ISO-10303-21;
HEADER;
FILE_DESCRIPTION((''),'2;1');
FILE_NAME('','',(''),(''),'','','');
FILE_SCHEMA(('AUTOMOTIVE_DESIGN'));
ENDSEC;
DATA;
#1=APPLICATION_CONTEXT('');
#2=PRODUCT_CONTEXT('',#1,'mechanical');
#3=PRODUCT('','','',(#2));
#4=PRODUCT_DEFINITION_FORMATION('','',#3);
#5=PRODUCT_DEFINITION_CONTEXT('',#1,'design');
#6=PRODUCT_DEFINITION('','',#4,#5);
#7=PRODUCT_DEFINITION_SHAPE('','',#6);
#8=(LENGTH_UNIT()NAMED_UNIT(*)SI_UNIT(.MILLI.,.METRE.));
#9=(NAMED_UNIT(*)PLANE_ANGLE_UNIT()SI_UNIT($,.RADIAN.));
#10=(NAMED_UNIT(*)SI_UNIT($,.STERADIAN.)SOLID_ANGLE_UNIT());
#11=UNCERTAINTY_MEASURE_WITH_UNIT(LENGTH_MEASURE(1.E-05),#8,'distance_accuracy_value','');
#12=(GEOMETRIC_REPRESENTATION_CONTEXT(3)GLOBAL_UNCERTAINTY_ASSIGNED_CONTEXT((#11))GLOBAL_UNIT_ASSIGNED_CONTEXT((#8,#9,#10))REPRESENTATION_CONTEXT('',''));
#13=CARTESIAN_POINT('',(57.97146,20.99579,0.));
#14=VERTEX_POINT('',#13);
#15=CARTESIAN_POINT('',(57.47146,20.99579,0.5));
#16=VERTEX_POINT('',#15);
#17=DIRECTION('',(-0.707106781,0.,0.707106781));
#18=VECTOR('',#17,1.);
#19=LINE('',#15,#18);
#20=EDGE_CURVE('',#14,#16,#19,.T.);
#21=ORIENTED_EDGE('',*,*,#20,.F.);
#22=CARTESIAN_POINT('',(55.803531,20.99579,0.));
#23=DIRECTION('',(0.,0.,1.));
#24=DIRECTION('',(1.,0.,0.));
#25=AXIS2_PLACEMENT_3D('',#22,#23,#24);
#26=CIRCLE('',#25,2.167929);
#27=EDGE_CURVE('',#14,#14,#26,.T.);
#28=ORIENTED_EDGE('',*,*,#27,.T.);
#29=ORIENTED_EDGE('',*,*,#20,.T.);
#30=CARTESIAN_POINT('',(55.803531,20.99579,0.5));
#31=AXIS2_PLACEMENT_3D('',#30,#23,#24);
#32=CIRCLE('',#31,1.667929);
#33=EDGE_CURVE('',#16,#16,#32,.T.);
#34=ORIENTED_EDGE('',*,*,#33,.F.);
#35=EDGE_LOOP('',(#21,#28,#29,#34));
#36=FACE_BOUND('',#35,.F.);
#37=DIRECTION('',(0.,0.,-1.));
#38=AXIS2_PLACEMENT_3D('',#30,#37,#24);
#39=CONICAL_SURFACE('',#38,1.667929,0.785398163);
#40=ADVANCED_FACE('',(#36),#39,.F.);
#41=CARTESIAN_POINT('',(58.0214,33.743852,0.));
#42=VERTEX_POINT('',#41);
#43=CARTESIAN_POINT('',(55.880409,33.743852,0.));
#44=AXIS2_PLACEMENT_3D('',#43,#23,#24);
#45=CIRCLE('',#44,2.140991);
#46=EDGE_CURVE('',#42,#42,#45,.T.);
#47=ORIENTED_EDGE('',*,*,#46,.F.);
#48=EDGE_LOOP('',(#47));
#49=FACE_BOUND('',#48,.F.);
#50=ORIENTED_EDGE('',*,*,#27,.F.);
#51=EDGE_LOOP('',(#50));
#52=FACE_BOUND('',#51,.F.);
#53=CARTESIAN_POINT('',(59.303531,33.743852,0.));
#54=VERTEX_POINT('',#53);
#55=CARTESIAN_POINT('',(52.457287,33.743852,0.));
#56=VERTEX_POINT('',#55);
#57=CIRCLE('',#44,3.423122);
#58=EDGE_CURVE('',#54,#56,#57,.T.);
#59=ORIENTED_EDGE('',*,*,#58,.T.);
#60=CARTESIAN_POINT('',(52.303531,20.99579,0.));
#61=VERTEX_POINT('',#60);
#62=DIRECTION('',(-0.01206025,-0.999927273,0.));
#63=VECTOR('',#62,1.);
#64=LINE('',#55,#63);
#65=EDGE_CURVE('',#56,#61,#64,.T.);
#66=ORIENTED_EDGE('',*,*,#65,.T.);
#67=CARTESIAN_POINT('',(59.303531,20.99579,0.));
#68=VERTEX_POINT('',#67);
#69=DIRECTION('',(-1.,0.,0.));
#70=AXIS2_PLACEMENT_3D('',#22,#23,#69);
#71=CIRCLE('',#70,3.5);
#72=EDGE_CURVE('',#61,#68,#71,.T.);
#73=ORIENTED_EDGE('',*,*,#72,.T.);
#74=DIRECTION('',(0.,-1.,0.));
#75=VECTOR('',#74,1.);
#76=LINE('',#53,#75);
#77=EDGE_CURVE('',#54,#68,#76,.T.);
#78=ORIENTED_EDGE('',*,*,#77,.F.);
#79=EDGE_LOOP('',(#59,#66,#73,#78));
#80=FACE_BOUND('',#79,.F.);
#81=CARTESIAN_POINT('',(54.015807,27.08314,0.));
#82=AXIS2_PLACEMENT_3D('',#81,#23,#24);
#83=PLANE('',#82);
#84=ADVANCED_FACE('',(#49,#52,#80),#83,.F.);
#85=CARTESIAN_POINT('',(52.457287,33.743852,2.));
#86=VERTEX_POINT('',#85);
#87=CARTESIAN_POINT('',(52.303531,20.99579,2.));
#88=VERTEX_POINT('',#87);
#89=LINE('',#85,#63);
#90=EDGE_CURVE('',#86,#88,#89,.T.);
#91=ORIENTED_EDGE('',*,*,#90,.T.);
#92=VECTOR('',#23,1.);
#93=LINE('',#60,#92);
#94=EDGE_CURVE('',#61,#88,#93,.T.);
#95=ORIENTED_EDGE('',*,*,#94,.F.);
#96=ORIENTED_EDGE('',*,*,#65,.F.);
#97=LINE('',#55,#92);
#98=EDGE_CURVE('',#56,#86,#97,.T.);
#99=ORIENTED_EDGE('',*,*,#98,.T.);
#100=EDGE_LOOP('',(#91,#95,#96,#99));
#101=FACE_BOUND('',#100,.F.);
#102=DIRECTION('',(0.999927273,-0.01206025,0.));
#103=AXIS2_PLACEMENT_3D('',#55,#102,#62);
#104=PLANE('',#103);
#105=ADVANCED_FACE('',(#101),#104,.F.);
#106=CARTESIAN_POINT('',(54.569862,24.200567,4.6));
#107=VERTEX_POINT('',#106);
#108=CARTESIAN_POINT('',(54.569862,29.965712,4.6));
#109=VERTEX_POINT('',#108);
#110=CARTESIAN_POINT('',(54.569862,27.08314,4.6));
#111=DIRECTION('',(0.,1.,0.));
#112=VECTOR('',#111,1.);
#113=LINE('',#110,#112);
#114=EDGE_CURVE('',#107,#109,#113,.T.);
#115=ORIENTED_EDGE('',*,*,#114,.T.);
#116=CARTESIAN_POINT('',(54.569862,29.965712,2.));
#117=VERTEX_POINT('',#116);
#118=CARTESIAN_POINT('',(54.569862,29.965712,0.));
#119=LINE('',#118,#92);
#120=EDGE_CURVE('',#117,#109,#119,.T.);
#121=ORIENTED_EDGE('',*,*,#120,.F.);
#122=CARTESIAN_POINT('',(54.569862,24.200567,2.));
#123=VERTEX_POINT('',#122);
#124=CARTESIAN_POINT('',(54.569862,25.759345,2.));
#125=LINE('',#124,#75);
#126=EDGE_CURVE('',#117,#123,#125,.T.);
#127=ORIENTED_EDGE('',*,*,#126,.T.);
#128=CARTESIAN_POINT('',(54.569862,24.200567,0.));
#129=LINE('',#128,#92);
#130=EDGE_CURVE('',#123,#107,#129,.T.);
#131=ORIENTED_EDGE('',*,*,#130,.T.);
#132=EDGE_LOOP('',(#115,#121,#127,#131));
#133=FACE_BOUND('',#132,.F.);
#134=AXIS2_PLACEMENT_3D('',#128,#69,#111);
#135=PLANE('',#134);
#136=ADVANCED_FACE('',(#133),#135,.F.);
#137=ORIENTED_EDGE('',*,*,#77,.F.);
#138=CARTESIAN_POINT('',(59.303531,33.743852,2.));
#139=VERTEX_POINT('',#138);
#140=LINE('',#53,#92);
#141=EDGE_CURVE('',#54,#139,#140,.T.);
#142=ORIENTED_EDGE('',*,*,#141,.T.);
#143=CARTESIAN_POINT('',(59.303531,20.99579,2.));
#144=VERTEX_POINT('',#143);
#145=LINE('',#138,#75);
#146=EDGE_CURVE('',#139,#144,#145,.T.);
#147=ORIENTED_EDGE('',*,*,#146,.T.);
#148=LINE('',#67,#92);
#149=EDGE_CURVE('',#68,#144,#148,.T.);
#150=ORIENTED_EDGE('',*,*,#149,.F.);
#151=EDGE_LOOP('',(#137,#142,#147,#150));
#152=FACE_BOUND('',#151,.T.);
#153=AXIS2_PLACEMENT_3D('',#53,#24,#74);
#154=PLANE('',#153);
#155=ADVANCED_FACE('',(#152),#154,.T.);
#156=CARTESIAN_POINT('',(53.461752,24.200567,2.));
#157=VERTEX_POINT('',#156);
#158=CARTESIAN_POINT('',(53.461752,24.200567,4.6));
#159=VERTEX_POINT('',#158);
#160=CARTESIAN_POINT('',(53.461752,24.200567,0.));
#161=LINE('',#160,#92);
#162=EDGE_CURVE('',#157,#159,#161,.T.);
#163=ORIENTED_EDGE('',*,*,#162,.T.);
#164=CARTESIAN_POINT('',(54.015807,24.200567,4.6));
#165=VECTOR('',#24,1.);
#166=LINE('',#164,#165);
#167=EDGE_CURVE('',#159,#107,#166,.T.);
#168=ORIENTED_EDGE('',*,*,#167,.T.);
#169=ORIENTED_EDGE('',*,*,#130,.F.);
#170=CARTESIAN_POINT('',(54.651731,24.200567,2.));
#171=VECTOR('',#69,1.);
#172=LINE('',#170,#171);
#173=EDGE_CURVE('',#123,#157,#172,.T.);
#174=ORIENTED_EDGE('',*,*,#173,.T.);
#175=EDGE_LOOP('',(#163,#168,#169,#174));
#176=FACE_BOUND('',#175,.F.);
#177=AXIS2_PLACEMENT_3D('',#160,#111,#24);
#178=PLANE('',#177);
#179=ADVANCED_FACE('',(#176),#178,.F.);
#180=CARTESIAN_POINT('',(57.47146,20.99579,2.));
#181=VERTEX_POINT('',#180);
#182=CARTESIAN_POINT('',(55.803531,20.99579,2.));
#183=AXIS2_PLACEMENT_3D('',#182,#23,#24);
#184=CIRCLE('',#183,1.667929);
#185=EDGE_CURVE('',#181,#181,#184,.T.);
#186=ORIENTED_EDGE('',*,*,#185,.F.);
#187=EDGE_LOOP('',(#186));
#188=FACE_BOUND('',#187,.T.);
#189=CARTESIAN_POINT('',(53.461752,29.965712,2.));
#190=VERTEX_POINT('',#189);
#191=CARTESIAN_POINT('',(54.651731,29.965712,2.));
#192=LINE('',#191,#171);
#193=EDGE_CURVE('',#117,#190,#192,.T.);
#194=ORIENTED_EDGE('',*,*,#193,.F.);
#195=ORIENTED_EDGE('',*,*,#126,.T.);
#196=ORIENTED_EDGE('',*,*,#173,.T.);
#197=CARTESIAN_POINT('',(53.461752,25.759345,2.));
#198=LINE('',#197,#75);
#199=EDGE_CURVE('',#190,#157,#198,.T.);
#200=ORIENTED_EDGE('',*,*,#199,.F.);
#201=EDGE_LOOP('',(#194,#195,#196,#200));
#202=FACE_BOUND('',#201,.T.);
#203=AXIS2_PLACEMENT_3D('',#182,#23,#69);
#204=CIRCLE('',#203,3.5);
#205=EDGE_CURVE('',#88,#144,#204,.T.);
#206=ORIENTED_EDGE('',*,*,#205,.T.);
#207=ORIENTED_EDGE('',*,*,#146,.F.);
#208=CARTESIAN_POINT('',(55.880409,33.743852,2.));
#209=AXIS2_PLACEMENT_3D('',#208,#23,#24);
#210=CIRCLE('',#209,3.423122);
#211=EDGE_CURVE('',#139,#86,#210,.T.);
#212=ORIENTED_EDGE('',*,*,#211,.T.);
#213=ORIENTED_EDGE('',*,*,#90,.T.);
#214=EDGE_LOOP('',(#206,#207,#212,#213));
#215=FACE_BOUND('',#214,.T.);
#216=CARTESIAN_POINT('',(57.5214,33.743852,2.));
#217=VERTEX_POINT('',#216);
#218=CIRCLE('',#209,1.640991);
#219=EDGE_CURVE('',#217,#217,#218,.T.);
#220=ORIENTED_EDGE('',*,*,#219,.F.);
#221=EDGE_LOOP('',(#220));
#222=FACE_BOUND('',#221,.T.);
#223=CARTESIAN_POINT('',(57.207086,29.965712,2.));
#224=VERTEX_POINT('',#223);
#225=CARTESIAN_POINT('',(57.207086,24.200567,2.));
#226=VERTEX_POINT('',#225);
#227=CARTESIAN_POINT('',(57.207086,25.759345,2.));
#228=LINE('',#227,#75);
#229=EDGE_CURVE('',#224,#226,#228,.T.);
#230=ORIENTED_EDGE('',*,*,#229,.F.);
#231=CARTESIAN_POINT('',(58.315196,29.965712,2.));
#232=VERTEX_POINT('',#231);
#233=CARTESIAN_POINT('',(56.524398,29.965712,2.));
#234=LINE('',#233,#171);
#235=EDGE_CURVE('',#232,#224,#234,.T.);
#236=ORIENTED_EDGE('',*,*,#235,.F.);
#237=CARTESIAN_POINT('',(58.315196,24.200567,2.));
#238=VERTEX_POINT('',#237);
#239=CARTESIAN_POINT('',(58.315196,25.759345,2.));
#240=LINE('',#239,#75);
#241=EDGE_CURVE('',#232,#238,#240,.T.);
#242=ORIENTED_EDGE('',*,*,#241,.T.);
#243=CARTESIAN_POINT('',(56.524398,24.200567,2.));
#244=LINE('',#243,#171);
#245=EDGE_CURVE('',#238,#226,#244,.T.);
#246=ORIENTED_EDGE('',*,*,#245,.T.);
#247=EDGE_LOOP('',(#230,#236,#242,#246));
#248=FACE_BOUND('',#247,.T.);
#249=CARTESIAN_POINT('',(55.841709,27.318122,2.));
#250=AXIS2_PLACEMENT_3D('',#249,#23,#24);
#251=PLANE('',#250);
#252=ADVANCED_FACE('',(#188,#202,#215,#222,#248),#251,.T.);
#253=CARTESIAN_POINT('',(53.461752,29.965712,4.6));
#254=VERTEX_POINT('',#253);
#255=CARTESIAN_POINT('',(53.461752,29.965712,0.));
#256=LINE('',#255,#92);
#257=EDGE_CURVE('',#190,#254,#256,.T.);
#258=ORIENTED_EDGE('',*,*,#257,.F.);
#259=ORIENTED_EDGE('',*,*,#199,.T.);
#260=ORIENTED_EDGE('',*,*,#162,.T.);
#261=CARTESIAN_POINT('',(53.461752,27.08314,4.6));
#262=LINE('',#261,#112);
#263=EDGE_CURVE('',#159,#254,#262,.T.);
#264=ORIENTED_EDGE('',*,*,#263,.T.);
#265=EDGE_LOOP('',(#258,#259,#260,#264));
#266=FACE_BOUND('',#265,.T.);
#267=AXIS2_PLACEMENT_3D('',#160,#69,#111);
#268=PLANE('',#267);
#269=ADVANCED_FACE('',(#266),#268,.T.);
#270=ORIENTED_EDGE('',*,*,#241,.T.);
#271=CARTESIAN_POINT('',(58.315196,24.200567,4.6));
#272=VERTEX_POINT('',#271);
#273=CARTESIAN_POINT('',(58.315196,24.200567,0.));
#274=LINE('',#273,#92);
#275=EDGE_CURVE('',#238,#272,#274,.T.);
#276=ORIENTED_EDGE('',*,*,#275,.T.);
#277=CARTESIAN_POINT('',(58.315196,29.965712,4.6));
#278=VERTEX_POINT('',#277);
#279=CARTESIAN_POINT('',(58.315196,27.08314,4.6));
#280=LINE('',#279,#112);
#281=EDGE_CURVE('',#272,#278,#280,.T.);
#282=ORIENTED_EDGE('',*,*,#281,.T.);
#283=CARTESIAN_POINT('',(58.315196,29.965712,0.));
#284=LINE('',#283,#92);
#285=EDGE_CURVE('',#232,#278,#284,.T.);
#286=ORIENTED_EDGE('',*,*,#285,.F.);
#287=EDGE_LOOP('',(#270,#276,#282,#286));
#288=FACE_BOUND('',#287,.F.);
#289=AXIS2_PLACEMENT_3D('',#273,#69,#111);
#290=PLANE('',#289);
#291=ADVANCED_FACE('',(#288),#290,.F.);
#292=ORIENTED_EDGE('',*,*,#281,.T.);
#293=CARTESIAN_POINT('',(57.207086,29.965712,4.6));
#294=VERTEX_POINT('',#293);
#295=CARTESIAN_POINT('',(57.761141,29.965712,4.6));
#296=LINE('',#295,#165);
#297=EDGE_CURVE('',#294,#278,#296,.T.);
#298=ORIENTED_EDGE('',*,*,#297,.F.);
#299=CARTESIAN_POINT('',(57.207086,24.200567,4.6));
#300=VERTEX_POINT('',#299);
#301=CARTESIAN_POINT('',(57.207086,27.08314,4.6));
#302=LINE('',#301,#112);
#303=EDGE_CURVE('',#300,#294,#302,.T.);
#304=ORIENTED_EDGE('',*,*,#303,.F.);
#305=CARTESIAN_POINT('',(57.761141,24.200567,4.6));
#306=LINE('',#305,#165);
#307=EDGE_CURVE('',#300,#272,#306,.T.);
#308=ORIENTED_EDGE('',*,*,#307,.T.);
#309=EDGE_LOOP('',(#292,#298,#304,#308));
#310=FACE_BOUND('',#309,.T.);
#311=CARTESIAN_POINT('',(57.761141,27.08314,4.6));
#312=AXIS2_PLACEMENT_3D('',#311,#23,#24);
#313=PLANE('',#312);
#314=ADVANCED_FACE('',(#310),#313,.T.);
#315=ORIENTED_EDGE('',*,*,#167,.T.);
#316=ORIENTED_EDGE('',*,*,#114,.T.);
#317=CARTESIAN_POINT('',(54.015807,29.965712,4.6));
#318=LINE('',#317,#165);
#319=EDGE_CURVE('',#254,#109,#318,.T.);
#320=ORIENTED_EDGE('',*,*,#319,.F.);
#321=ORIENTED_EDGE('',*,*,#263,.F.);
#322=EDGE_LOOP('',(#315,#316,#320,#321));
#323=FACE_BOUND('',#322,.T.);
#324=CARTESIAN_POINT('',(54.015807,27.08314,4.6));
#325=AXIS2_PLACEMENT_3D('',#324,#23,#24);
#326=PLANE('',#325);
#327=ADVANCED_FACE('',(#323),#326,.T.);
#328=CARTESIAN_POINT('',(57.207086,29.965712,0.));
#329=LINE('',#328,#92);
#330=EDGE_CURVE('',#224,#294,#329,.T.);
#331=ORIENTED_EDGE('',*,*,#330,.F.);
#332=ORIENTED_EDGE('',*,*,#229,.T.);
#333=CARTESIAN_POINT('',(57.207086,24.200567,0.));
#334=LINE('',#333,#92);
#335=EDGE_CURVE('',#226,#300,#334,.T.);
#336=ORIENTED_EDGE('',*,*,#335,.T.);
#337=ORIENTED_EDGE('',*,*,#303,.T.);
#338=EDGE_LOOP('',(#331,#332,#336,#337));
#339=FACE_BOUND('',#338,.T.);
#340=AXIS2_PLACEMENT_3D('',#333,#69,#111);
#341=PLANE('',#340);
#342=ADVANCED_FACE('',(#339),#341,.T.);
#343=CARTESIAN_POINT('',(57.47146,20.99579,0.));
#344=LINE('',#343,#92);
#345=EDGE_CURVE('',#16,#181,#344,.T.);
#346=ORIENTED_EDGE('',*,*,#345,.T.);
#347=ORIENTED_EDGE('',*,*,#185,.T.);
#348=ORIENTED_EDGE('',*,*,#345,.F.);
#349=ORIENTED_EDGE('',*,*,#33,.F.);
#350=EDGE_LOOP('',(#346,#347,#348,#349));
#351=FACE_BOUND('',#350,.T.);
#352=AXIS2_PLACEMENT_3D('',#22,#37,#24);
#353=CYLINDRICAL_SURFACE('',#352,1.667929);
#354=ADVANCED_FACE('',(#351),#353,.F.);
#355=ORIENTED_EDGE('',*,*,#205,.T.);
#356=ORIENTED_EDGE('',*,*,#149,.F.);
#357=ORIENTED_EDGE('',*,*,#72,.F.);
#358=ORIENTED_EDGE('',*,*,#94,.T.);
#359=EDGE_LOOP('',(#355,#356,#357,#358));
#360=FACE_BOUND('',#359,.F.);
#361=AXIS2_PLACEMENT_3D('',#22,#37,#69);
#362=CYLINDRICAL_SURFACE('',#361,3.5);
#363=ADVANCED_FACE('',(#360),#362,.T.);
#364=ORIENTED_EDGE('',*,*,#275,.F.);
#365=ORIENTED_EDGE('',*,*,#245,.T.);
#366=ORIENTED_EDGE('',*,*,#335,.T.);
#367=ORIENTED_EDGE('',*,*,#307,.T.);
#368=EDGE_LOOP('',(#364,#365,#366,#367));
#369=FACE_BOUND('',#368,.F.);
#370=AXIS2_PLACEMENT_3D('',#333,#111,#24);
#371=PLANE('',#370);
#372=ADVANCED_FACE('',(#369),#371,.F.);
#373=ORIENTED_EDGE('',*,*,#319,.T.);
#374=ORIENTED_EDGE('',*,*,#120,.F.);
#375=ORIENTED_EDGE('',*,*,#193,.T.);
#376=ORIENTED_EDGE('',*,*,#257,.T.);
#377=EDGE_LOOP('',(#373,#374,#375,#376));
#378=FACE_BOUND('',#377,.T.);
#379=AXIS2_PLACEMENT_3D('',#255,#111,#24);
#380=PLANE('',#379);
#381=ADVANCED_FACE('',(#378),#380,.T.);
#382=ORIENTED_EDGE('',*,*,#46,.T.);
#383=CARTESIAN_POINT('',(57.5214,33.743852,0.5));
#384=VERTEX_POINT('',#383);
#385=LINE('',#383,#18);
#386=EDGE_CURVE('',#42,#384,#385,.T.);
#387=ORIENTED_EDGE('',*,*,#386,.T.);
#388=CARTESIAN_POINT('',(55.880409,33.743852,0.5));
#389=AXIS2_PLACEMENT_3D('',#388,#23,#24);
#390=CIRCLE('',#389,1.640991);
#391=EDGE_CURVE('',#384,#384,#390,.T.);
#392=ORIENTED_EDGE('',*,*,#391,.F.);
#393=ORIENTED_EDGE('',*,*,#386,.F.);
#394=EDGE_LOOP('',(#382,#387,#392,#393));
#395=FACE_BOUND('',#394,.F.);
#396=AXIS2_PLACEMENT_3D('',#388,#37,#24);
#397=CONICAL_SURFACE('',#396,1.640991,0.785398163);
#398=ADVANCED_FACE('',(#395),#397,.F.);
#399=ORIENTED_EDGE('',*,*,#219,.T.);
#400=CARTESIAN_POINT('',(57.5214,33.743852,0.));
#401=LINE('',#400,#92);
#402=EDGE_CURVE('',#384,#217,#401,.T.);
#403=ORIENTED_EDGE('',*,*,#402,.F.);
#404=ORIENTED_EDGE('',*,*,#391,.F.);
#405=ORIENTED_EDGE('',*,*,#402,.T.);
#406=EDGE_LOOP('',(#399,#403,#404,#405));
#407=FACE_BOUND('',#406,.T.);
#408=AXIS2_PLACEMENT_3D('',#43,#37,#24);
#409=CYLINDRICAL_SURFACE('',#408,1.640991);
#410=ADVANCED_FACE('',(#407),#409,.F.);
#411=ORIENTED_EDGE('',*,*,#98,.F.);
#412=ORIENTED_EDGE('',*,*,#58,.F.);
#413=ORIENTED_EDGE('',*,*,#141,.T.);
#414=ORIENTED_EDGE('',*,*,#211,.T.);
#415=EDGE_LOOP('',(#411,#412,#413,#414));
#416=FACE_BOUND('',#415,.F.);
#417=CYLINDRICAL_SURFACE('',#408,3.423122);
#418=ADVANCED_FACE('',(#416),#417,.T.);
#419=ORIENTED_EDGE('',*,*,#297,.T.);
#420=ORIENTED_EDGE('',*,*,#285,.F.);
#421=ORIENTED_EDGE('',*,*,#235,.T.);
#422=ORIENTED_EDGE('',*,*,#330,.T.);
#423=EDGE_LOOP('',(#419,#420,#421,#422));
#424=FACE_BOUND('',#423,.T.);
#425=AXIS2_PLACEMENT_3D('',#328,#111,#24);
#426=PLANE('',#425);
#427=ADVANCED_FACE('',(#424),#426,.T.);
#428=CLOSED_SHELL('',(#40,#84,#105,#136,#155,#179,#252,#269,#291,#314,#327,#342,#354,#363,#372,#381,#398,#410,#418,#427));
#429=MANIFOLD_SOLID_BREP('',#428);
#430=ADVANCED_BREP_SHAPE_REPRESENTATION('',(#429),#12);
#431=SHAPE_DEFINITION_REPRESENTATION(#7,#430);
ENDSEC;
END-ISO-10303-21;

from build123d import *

# Parameters (mm, degrees)
SKETCH023_R     = 1.640991
SKETCH023_R_2   = 1.667929
PAD017_DEPTH    = 2
SKETCH024_W     = 1.10811
SKETCH024_H     = 5.765145
PAD018_DEPTH    = 4.6
CHAMFER004_SIZE = 0.5


with BuildPart() as part:
    # Sketch023 → Pad017 (new body)
    with BuildSketch(Plane.XY):
        with BuildLine():
            ThreePointArc((59.303531, 33.743852), (55.880409, 37.166974), (52.457287, 33.743852))
            Line((52.457287, 33.743852), (52.303531, 20.99579))
            ThreePointArc((52.303531, 20.99579), (55.803531, 17.49579), (59.303531, 20.99579))
            Line((59.303531, 33.743852), (59.303531, 20.99579))
        make_face()
        with Locations((55.880409, 33.743852)):
            Circle(SKETCH023_R, mode=Mode.SUBTRACT)
        with Locations((55.803531, 20.99579)):
            Circle(SKETCH023_R_2, mode=Mode.SUBTRACT)
    extrude(amount=PAD017_DEPTH)

    # Sketch024 → Pad018 (join)
    with BuildSketch(Plane.XY):
        with Locations((54.015807, 27.08314)):
            Rectangle(SKETCH024_W, SKETCH024_H)
        with Locations((57.761141, 27.08314)):
            Rectangle(SKETCH024_W, SKETCH024_H)
    extrude(amount=PAD018_DEPTH)

    # Chamfer004
    chamfer004_edges = [part.edges().sort_by_distance(p)[0] for p in [
        (54.135602, 20.99579, 0),
        (54.239418, 33.743852, 0),
    ]]
    chamfer(chamfer004_edges, length=CHAMFER004_SIZE)


solid = part.part
